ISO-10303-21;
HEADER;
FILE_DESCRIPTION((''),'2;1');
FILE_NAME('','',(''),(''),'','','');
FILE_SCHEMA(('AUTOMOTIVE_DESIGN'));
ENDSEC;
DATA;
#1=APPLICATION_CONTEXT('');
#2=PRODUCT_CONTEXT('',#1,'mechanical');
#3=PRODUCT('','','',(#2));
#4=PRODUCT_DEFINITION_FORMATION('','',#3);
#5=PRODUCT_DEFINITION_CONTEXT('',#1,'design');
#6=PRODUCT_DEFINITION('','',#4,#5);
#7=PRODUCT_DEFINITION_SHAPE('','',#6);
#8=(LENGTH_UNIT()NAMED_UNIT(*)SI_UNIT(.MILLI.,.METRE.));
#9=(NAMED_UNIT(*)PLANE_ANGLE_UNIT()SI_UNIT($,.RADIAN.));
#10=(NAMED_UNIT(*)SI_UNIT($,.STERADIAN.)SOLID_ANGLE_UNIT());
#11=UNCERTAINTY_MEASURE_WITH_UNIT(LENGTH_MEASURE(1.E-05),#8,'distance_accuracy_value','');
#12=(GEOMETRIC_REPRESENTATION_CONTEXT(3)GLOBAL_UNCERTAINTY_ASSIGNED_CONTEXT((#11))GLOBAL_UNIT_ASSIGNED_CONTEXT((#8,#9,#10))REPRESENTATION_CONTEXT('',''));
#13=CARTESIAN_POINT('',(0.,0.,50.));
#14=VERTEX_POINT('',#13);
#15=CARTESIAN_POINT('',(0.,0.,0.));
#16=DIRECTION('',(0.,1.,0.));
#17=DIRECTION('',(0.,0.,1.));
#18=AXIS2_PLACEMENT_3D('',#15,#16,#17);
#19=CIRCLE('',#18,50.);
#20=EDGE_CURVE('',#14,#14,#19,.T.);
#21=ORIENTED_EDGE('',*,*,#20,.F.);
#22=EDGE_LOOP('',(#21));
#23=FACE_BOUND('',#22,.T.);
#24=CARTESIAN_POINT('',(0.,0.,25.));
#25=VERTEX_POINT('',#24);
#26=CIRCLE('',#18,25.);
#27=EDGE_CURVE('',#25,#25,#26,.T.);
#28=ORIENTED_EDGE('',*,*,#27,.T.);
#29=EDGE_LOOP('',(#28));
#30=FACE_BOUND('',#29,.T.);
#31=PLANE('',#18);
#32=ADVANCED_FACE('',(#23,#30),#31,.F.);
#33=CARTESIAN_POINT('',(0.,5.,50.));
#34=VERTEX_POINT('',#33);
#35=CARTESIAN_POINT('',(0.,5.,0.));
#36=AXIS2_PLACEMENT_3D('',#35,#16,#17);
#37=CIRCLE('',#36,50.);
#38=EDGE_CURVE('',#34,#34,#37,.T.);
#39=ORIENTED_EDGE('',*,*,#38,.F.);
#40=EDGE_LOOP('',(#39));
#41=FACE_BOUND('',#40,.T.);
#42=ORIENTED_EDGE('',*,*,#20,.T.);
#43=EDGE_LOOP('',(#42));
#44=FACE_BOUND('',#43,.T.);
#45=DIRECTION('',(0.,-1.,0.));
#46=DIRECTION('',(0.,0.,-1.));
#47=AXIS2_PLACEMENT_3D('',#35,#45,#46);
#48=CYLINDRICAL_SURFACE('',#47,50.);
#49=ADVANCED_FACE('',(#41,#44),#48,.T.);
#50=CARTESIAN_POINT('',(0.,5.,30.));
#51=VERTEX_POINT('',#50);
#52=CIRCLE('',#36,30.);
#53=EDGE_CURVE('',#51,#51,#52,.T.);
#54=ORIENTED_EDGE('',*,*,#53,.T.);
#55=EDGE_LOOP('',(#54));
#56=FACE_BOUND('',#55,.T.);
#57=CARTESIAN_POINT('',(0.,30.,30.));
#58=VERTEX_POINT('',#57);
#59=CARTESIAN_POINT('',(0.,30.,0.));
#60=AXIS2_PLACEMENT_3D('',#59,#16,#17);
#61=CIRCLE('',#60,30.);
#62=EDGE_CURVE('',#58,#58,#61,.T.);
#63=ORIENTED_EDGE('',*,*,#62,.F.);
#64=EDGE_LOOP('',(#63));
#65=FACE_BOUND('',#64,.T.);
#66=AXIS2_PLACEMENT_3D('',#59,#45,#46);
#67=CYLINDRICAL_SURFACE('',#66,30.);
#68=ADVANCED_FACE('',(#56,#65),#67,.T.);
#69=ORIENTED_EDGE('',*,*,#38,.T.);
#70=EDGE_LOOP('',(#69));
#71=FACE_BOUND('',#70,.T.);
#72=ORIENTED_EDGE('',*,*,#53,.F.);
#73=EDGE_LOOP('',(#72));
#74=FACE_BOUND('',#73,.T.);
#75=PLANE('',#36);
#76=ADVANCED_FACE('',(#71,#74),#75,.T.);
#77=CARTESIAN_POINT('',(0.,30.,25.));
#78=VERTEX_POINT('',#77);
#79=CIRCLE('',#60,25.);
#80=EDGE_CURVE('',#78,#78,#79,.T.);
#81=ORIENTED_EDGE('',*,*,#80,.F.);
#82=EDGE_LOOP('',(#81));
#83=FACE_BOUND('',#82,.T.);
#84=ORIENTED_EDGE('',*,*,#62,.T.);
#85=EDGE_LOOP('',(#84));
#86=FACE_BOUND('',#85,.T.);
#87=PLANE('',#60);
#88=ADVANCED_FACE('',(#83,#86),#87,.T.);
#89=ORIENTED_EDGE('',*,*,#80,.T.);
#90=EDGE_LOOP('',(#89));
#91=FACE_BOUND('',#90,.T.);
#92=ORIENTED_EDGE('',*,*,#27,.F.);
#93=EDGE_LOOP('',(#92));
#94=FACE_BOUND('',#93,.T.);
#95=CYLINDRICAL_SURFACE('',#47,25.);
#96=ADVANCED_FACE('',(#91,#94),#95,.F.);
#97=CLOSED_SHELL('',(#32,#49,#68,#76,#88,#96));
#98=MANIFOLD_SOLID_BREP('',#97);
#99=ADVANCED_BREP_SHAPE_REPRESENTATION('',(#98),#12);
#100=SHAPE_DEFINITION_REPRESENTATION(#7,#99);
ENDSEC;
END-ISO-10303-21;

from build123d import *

# Parameters (mm, degrees)
SKETCH1_R           = 50
SKETCH1_R_2         = 25
BOSS_EXTRUDE1_DEPTH = 5
SKETCH2_R           = 30
SKETCH2_R_2         = 25
BOSS_EXTRUDE2_DEPTH = 25


with BuildPart() as part:
    # Sketch1 → Boss-Extrude1 (new body)
    with BuildSketch(Plane(origin=(0, 0, 0), x_dir=(1, 0, 0), z_dir=(0, 1, 0))):
        with Locations(Location((0, 0, 0), (0, 0, 270))):
            Circle(SKETCH1_R)
        with Locations(Location((0, 0, 0), (0, 0, 270))):
            Circle(SKETCH1_R_2, mode=Mode.SUBTRACT)
    extrude(amount=BOSS_EXTRUDE1_DEPTH)

    # Sketch2 → Boss-Extrude2 (add)
    with BuildSketch(Plane(origin=(0, 5, 0), x_dir=(1, 0, 0), z_dir=(0, 1, 0))):
        with Locations(Location((0, 0, 0), (0, 0, 270))):
            Circle(SKETCH2_R)
        with Locations(Location((0, 0, 0), (0, 0, 270))):
            Circle(SKETCH2_R_2, mode=Mode.SUBTRACT)
    extrude(amount=BOSS_EXTRUDE2_DEPTH)


solid = part.part
